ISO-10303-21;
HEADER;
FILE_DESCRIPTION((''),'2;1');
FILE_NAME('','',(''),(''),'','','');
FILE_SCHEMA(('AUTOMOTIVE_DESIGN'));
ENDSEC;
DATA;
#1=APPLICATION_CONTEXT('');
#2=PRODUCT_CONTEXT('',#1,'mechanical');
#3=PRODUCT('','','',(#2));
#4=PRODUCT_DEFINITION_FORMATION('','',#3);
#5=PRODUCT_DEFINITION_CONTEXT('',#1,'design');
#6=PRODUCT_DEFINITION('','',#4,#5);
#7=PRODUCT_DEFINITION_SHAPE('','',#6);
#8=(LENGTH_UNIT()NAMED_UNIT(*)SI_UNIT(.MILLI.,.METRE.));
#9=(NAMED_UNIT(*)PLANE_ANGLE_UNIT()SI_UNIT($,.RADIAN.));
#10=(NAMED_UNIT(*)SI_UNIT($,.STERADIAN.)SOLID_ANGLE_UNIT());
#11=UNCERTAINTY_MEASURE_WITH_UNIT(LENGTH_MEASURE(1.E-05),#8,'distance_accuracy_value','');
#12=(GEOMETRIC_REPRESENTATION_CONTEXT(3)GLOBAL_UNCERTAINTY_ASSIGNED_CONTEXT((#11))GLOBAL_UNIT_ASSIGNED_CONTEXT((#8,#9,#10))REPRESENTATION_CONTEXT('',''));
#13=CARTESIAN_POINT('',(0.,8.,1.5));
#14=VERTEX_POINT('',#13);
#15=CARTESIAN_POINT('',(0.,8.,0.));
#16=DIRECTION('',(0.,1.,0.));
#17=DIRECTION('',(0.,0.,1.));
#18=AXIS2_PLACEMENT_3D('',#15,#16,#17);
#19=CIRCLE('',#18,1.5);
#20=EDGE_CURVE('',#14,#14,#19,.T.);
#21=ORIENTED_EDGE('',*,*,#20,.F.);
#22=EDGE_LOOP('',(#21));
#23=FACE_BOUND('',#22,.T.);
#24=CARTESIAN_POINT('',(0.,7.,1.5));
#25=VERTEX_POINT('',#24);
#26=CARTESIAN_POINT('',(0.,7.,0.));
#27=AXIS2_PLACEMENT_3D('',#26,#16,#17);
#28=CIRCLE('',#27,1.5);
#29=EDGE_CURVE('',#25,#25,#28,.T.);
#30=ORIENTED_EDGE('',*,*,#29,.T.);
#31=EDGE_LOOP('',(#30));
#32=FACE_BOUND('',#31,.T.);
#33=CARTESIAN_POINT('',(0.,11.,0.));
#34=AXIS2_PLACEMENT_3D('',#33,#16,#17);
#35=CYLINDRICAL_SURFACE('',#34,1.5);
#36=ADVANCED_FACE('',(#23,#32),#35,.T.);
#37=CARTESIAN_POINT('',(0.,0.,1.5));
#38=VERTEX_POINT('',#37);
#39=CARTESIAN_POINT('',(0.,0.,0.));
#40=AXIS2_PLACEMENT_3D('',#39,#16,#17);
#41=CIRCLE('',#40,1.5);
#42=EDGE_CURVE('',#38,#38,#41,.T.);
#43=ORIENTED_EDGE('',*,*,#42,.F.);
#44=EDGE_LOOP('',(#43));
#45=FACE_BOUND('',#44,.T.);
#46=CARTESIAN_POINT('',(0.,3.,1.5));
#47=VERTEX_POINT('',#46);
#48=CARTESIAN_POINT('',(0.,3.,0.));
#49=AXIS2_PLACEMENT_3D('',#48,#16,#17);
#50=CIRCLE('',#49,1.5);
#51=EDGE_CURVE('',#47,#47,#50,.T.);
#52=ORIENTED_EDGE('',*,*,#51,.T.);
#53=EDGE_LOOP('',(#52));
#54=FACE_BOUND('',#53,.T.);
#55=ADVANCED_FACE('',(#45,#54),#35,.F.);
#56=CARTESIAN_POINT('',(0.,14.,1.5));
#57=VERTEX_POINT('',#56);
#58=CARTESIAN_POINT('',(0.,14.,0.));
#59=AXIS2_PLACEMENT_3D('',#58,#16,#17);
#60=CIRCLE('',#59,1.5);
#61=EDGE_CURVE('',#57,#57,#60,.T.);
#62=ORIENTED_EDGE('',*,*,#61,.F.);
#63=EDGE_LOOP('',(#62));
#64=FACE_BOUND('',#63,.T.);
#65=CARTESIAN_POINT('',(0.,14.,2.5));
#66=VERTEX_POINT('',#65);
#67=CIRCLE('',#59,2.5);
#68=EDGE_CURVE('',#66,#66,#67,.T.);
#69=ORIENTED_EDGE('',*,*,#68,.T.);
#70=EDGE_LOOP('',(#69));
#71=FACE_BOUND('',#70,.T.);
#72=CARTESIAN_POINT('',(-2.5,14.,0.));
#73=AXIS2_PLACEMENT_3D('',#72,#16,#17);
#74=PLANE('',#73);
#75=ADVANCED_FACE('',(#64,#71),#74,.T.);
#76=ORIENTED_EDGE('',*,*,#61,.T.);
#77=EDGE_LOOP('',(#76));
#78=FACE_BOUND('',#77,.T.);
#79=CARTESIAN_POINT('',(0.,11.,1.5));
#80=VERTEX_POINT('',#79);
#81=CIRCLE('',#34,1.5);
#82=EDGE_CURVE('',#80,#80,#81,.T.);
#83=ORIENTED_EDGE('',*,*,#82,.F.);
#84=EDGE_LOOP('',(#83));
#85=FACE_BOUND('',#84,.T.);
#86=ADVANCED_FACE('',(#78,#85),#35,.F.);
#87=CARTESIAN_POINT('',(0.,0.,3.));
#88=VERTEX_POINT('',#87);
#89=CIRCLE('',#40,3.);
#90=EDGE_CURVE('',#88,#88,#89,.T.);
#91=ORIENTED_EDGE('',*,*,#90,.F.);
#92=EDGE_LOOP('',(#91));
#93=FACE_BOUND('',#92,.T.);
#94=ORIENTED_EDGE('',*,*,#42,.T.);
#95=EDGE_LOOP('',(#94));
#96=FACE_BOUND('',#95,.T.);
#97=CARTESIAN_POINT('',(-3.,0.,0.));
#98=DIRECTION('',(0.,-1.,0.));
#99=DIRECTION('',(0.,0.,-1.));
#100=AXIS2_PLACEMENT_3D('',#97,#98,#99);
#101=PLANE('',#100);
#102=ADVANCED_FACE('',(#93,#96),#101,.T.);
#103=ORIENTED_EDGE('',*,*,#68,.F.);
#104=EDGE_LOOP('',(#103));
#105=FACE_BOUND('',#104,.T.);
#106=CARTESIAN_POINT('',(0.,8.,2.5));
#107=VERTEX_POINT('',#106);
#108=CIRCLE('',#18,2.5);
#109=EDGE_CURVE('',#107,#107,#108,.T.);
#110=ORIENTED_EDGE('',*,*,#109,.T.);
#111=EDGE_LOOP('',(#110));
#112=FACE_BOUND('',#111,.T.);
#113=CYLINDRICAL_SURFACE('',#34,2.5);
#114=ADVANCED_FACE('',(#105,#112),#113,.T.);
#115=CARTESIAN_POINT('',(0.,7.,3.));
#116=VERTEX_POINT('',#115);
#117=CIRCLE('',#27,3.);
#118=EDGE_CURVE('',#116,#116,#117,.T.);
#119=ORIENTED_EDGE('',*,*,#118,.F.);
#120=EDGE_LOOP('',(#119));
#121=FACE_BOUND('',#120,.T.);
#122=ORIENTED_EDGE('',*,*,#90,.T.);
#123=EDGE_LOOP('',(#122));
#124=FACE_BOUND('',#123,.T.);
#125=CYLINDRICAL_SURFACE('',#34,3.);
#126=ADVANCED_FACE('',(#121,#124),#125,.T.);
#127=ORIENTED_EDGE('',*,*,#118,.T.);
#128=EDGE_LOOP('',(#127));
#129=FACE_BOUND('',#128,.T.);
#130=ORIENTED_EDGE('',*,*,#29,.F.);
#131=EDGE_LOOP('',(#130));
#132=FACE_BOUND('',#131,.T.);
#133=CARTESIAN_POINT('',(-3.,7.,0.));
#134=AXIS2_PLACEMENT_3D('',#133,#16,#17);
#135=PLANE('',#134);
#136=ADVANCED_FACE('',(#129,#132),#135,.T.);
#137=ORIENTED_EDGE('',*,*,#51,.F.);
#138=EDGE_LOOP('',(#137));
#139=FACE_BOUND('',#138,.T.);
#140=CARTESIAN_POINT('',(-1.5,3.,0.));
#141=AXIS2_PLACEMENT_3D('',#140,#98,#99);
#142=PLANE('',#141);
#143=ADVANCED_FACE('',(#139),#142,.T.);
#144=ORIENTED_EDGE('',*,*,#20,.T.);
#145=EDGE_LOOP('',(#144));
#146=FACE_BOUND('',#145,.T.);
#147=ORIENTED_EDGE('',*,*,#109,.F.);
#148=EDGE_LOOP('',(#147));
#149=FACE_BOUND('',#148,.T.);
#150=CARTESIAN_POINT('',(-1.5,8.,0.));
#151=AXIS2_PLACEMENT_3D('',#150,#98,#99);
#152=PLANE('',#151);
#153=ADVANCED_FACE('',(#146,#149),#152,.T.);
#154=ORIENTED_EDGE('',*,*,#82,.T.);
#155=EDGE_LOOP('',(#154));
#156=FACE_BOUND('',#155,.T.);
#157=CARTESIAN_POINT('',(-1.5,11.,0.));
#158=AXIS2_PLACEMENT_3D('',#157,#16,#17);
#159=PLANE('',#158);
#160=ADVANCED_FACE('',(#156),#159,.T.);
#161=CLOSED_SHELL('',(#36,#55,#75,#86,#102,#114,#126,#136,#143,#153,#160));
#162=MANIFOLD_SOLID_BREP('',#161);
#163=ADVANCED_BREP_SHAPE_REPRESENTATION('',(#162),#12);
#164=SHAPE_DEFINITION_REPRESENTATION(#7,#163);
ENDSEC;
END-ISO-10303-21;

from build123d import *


with BuildPart() as part:
    # Croquis1 → Revolución1 (revolve)
    with BuildSketch(Plane.XY, mode=Mode.PRIVATE) as revoluci_n1_sk:
        Polygon((-3, 0), (-1.5, 0), (-1.5, 3), (0, 3), (0, 11), (-1.5, 11), (-1.5, 14), (-2.5, 14), (-2.5, 8), (-1.5, 8), (-1.5, 7), (-3, 7), align=None)
    revolve(revoluci_n1_sk.sketch.rotate(Axis((0, 11, 0), (0, -1, 0)), 270), axis=Axis((0, 11, 0), (0, -1, 0)))


solid = part.part
